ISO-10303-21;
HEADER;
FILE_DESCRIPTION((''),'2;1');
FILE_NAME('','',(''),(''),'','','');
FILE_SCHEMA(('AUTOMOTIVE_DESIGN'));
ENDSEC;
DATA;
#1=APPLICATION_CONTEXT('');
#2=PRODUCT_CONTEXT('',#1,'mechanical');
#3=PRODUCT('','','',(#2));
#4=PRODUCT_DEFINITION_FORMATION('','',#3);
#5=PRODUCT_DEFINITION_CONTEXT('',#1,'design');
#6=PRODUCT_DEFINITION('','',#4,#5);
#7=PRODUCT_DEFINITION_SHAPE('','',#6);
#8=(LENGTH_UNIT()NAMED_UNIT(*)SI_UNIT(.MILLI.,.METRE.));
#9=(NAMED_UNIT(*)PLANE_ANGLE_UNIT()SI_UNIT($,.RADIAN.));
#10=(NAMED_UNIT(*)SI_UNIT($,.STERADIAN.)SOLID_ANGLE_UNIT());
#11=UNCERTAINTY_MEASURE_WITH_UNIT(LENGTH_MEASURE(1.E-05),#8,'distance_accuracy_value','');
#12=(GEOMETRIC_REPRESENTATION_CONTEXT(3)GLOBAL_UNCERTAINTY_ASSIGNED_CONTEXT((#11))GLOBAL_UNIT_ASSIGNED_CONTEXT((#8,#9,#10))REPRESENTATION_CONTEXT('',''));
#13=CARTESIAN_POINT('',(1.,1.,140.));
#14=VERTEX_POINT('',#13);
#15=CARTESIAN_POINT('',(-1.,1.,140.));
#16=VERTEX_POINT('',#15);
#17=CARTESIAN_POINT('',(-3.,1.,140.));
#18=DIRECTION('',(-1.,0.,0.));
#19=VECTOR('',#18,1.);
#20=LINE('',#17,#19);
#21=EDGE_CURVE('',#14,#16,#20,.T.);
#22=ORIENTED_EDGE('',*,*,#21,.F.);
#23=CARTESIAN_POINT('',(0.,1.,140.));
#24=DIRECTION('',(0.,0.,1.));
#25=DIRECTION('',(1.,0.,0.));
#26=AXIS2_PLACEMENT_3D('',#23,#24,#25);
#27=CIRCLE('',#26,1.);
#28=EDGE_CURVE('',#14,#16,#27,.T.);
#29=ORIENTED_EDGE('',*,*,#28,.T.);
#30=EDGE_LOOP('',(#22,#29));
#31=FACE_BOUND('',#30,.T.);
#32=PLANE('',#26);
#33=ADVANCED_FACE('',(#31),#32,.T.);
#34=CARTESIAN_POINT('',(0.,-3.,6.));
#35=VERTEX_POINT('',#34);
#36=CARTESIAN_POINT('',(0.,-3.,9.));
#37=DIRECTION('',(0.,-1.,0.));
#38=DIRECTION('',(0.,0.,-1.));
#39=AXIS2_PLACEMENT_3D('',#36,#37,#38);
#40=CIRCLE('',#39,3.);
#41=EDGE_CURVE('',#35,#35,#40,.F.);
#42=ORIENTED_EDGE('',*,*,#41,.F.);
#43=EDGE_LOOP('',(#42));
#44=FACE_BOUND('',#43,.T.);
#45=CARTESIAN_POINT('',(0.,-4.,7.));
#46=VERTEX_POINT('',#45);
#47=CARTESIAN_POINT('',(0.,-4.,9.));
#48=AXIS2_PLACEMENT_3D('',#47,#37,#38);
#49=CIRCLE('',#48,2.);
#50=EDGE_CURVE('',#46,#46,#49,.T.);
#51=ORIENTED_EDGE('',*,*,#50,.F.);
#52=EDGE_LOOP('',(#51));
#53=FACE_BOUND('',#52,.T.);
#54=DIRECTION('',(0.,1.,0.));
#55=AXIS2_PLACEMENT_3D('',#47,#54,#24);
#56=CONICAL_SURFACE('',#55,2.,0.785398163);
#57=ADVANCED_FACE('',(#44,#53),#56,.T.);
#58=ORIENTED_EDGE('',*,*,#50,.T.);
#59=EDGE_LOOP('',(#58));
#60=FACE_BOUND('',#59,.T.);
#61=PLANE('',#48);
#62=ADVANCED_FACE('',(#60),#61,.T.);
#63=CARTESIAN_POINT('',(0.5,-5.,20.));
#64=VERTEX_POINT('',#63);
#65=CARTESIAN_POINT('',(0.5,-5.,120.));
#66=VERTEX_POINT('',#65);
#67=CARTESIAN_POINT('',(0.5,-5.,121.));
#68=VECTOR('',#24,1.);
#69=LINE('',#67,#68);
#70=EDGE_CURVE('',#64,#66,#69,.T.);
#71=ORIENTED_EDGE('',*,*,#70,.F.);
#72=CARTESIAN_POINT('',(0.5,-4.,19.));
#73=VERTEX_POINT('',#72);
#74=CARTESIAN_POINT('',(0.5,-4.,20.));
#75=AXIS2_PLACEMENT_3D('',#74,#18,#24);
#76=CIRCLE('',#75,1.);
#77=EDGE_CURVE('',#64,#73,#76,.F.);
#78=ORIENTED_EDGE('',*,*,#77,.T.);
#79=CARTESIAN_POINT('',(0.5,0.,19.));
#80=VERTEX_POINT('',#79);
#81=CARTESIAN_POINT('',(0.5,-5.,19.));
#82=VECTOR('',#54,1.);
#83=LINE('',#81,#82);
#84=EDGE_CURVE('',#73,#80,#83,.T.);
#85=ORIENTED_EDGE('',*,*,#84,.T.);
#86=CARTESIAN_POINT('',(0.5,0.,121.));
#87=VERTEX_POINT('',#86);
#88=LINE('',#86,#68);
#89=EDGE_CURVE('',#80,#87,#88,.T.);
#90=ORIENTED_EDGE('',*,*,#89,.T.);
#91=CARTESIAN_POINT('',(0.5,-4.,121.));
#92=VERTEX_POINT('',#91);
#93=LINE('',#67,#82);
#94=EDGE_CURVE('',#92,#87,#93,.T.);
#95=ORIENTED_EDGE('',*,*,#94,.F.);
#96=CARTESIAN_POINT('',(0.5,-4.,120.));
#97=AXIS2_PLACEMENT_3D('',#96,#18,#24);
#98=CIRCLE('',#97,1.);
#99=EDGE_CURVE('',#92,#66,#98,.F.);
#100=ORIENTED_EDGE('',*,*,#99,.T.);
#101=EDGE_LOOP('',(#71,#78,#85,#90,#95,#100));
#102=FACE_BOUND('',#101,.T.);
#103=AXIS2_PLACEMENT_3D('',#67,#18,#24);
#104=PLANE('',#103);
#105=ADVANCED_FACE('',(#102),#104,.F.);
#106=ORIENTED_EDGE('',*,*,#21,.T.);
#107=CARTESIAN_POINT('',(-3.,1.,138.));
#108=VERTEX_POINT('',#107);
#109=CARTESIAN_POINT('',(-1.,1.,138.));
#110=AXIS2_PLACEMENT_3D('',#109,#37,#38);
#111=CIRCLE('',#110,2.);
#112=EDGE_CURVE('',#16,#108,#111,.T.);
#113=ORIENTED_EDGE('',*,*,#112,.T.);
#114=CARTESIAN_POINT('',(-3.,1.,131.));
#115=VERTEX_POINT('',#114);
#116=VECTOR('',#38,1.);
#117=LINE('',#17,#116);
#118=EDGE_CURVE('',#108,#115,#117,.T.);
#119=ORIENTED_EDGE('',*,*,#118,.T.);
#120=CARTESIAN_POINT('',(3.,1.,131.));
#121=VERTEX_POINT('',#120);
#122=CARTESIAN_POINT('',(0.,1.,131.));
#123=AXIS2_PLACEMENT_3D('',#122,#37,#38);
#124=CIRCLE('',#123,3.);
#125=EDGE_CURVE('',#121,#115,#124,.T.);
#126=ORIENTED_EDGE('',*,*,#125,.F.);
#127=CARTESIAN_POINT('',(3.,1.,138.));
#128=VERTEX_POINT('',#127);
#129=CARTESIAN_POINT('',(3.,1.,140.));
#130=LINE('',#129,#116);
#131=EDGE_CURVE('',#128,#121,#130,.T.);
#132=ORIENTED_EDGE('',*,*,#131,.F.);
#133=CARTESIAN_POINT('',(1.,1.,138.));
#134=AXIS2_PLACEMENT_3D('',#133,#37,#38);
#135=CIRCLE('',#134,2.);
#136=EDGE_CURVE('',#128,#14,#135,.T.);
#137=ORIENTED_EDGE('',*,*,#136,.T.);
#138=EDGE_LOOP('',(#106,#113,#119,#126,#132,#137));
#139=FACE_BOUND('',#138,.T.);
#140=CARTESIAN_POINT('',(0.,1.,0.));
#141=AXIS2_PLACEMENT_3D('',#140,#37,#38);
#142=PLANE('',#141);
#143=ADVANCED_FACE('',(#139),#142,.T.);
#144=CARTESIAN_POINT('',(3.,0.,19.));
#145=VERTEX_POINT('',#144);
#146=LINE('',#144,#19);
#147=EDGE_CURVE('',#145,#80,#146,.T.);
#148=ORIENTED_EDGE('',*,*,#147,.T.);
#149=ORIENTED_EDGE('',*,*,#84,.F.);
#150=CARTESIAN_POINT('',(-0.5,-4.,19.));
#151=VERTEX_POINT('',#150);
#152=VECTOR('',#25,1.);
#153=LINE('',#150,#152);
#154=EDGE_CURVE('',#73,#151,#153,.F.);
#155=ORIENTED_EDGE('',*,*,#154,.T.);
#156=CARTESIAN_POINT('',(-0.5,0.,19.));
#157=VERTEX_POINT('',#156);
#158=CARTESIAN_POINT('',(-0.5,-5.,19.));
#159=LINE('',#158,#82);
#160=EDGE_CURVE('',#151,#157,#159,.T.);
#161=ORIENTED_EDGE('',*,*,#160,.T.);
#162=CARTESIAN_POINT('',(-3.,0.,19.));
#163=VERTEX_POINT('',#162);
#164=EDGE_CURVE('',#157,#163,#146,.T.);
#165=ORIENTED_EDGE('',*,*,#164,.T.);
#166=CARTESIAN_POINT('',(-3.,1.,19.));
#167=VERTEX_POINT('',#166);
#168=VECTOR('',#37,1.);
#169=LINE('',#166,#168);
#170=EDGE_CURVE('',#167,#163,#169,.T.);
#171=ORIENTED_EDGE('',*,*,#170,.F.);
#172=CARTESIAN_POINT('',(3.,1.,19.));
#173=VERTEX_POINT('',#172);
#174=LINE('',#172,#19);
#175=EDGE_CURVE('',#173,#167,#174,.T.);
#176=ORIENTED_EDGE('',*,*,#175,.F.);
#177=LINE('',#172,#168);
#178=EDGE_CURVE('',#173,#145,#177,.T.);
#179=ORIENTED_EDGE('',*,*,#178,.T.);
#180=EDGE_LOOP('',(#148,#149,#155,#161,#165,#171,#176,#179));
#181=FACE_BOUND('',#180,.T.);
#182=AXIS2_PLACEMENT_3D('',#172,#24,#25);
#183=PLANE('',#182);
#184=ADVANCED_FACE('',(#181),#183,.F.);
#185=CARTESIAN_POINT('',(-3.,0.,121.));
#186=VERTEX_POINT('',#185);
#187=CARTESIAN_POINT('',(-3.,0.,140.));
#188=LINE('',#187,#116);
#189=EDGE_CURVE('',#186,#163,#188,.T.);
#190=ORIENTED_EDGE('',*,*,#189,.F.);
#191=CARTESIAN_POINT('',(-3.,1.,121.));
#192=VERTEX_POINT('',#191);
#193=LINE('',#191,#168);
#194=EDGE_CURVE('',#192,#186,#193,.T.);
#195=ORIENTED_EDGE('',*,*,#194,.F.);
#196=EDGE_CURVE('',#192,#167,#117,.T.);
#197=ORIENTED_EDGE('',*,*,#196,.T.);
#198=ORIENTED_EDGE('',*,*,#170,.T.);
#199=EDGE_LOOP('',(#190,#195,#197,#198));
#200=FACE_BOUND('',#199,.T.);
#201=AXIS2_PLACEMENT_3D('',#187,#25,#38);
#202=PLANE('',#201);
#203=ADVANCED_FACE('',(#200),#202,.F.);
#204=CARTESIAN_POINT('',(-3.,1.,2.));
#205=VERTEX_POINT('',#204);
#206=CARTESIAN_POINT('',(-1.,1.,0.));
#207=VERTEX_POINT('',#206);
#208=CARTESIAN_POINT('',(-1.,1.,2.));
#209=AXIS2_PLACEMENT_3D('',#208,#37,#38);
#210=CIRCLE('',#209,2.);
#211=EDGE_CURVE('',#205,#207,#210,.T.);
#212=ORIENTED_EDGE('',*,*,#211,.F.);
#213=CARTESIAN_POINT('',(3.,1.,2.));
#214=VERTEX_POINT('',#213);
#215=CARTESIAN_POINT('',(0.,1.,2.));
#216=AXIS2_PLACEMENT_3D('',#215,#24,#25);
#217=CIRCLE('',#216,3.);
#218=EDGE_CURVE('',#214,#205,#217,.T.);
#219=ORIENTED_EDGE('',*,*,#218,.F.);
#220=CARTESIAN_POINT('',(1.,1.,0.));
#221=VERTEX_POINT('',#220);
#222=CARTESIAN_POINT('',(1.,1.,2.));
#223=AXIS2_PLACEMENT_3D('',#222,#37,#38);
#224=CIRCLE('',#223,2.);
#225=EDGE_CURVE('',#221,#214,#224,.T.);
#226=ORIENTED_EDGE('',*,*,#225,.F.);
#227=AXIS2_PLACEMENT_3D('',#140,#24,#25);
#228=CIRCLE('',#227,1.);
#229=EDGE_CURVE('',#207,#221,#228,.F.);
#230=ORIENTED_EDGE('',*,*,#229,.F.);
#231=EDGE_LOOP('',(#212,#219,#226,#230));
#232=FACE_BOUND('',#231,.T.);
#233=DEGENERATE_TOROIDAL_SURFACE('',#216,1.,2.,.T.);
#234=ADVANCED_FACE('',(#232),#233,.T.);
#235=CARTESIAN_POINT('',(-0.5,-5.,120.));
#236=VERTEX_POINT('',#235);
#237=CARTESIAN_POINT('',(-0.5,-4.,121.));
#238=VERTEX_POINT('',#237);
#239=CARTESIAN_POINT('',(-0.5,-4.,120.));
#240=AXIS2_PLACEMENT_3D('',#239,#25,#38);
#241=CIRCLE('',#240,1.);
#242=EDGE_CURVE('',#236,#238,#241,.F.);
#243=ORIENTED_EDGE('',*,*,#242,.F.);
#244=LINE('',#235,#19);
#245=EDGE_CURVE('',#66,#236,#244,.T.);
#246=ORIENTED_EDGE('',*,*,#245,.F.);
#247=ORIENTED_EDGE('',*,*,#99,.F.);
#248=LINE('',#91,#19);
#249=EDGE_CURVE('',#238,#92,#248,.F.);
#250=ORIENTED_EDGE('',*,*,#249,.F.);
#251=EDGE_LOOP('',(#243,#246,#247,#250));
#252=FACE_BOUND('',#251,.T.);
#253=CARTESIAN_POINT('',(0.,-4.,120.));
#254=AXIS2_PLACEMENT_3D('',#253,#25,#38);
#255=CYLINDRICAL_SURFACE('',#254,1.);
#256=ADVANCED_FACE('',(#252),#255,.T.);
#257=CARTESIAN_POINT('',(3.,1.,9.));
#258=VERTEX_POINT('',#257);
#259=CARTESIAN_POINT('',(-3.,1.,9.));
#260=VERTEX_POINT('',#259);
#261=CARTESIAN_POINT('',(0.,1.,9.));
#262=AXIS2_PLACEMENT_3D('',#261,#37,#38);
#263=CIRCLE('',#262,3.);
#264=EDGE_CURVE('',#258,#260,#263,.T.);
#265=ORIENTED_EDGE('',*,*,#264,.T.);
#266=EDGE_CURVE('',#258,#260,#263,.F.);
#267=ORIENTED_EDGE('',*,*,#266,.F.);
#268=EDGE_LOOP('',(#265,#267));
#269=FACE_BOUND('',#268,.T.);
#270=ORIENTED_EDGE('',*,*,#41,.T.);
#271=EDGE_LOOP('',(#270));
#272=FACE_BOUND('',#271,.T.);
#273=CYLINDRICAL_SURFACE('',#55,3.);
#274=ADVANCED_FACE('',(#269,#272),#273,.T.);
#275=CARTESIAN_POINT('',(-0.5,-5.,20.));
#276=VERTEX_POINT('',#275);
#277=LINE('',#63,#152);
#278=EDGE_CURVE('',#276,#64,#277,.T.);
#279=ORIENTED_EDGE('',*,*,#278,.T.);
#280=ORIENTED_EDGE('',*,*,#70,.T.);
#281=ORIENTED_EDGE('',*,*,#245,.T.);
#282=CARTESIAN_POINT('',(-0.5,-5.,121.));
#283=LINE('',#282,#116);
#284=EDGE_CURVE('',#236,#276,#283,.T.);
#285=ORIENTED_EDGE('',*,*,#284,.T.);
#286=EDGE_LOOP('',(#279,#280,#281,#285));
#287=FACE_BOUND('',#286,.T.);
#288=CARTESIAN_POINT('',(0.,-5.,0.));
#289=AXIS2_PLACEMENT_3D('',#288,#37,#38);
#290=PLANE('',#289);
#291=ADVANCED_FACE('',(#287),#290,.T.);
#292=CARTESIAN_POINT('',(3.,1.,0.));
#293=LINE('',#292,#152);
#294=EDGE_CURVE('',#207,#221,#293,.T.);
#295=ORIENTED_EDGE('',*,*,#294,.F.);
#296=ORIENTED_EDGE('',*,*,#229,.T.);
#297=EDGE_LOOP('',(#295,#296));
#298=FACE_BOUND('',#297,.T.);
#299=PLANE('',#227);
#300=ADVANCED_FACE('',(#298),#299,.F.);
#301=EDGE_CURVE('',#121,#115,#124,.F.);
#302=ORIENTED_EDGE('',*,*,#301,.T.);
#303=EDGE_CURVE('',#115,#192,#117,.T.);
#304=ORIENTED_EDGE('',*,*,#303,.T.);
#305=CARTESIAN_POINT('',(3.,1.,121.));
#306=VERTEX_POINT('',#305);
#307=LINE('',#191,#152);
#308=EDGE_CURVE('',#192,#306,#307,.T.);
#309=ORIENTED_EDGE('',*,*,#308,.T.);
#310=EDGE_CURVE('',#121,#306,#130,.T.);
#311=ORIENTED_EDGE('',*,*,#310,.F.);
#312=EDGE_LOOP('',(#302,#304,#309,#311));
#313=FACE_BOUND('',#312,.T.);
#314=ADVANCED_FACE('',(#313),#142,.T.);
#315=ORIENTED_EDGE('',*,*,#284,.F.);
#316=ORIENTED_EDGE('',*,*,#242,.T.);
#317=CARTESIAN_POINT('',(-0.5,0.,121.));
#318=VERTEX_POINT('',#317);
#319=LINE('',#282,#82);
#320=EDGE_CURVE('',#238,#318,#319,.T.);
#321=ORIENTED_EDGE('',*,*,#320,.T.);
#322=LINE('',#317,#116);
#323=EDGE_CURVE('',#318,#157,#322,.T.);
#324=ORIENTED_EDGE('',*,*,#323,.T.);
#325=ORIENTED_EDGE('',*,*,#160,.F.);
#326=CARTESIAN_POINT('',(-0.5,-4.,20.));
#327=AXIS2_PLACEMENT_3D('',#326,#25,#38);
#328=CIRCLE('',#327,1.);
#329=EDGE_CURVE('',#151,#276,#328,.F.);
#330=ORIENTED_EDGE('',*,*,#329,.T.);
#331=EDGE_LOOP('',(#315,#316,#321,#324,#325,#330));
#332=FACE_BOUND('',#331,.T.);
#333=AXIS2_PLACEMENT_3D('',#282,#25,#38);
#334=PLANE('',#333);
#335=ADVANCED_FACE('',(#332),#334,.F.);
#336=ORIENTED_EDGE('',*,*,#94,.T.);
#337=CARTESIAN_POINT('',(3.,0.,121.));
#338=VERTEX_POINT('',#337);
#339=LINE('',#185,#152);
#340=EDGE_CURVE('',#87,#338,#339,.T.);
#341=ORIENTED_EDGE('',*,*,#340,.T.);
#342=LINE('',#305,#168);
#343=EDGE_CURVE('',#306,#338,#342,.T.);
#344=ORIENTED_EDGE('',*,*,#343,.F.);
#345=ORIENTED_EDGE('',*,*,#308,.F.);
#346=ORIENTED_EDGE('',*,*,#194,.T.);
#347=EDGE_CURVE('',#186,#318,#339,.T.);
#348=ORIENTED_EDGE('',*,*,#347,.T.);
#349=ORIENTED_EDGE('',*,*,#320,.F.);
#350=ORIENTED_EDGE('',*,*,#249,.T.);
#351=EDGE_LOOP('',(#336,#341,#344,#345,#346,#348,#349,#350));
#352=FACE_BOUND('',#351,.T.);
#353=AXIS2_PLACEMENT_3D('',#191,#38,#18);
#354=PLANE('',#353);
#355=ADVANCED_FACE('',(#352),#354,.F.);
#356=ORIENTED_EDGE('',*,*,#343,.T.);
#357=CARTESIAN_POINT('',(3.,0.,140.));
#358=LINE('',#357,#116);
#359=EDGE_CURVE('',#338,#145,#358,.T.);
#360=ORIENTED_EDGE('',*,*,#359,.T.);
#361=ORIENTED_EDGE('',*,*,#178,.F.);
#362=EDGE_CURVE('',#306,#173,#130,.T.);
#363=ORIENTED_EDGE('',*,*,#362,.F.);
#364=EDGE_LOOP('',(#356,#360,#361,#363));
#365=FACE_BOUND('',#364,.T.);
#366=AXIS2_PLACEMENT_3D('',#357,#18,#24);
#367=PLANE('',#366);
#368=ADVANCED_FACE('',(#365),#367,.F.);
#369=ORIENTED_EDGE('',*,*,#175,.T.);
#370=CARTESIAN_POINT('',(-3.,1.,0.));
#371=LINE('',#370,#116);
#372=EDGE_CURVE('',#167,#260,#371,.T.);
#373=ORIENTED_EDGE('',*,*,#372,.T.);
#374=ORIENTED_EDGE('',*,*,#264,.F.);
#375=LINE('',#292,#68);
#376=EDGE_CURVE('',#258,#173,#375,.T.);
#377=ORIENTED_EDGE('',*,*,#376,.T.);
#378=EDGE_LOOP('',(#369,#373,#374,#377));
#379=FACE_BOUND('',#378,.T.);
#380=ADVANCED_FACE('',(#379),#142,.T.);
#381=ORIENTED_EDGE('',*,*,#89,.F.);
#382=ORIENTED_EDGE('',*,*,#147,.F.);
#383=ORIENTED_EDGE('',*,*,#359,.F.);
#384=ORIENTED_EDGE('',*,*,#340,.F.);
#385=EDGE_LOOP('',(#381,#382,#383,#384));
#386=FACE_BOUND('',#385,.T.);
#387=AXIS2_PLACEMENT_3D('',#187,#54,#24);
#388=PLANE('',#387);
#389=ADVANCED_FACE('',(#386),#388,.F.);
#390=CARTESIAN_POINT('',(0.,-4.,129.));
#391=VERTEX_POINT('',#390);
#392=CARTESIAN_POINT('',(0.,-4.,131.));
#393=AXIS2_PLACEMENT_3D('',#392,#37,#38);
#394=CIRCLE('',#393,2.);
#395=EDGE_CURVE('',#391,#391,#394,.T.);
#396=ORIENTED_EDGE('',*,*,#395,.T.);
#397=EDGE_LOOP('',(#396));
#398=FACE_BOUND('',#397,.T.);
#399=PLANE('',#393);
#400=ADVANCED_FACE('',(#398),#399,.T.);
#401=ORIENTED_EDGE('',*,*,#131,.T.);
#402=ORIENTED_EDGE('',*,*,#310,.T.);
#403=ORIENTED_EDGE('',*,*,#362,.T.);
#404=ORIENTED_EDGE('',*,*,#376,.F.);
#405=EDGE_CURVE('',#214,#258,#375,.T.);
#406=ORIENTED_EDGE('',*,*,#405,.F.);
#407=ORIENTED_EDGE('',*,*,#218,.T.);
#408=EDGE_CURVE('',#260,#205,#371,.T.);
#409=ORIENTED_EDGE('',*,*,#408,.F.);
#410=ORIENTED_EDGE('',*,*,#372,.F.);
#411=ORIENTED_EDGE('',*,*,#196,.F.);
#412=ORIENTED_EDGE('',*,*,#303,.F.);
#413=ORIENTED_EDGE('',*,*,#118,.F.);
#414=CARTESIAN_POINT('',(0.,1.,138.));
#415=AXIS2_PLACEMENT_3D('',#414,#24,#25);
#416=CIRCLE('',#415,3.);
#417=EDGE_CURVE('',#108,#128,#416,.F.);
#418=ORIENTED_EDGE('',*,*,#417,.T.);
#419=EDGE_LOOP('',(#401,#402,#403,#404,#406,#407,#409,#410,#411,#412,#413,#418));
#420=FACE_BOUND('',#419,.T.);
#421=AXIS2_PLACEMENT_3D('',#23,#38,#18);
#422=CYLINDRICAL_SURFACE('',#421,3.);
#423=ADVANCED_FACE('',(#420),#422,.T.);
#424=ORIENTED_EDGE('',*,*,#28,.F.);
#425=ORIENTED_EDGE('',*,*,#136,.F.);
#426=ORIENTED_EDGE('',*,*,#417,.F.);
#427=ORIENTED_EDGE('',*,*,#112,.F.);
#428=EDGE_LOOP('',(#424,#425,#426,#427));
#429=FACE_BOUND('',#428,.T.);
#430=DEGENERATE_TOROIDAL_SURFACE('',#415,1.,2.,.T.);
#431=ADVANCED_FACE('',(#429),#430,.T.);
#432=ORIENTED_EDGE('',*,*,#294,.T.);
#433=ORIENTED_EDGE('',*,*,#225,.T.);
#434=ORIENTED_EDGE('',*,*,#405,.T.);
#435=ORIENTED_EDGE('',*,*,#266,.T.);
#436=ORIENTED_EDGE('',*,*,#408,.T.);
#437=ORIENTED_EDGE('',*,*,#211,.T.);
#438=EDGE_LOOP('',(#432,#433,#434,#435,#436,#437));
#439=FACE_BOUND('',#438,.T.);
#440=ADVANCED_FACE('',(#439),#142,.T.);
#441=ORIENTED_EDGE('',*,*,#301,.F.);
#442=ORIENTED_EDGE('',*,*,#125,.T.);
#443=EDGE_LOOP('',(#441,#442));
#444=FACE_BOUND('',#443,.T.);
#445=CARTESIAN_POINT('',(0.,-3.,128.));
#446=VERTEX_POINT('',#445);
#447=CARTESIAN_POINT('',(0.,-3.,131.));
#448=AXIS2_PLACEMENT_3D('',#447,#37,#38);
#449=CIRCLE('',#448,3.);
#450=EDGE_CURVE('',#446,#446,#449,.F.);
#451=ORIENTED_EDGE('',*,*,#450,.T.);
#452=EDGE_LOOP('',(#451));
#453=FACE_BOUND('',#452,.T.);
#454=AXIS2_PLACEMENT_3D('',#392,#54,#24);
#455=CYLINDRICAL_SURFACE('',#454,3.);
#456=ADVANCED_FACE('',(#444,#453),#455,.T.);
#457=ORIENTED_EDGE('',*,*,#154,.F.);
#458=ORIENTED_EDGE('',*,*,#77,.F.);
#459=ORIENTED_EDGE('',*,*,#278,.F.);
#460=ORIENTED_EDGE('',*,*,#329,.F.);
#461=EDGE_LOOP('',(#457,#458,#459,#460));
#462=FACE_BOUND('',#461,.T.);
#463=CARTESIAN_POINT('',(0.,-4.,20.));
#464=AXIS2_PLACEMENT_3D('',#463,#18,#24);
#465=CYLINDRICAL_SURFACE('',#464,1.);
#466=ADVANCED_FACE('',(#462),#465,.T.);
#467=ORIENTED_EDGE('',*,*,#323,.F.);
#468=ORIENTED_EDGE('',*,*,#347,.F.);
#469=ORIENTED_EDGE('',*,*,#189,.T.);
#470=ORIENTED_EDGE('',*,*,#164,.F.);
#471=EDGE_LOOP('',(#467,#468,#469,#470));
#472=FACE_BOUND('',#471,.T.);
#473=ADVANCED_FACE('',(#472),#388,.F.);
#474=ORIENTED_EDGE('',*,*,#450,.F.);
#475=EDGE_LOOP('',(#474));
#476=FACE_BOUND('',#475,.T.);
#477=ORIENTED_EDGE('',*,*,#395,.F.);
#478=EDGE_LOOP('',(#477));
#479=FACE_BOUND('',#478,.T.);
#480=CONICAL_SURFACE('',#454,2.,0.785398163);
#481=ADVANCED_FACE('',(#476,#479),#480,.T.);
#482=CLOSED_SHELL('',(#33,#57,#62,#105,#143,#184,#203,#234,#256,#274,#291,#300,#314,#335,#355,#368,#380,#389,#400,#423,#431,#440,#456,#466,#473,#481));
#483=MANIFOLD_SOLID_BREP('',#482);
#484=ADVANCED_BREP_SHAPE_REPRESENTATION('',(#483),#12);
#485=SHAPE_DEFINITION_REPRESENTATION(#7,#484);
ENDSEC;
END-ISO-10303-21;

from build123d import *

# Parameters (mm, degrees)
EXTRUDE_2_DEPTH     = 140
SKETCH_4_W          = 6
SKETCH_4_H          = 19
CUT_EXTRUDE_1_DEPTH = 1
SKETCH_3_R          = 3
EXTRUDE_4_DEPTH     = 5
CHAMFER_2_SIZE      = 1
FILLET_2_R          = 2
SKETCH_5_W          = 1
SKETCH_5_H          = 102
EXTRUDE_5_DEPTH     = 5
FILLET_3_R          = 1


with BuildPart() as part:
    # 草图2 → 凸台-拉伸2 (new body)
    with BuildSketch(Plane.XY):
        with BuildLine():
            Line((-3, 0), (3, 0))
            Line((3, 0), (3, 1))
            ThreePointArc((3, 1), (0, 4), (-3, 1))
            Line((-3, 1), (-3, 0))
        make_face()
    extrude(amount=EXTRUDE_2_DEPTH)

    # 草图4 → 切除-拉伸1 (cut)
    with BuildSketch(Plane.XZ):
        with Locations((0, 130.5)):
            Rectangle(SKETCH_4_W, SKETCH_4_H)
        with Locations((0, 9.5)):
            Rectangle(SKETCH_4_W, SKETCH_4_H)
    extrude(amount=-CUT_EXTRUDE_1_DEPTH, mode=Mode.SUBTRACT)

    # 草图3 → 凸台-拉伸4 (add)
    with BuildSketch(Plane.XZ.offset(-1)):
        with Locations(Location((0, 131, 0), (0, 0, 180))):
            Circle(SKETCH_3_R)
        with Locations(Location((0, 9, 0), (0, 0, 180))):
            Circle(SKETCH_3_R)
    extrude(amount=EXTRUDE_4_DEPTH)

    # 倒角2
    chamfer_2_edges = [part.edges().sort_by_distance(p)[0] for p in [
        (3, -4, 131),
        (3, -4, 9),
    ]]
    chamfer(chamfer_2_edges, length=CHAMFER_2_SIZE)

    # 圆角2
    fillet_2_edges = [part.edges().sort_by_distance(p)[0] for p in [
        (0, 4, 140),
        (0, 4, 0),
    ]]
    fillet(fillet_2_edges, radius=FILLET_2_R)

    # 草图5 → 凸台-拉伸5 (add)
    with BuildSketch(Plane.XZ):
        with Locations((0, 70)):
            Rectangle(SKETCH_5_W, SKETCH_5_H)
    extrude(amount=EXTRUDE_5_DEPTH)

    # 圆角3
    fillet_3_edges = [part.edges().sort_by_distance(p)[0] for p in [
        (0, -5, 19),
        (0, -5, 121),
    ]]
    fillet(fillet_3_edges, radius=FILLET_3_R)


solid = part.part
